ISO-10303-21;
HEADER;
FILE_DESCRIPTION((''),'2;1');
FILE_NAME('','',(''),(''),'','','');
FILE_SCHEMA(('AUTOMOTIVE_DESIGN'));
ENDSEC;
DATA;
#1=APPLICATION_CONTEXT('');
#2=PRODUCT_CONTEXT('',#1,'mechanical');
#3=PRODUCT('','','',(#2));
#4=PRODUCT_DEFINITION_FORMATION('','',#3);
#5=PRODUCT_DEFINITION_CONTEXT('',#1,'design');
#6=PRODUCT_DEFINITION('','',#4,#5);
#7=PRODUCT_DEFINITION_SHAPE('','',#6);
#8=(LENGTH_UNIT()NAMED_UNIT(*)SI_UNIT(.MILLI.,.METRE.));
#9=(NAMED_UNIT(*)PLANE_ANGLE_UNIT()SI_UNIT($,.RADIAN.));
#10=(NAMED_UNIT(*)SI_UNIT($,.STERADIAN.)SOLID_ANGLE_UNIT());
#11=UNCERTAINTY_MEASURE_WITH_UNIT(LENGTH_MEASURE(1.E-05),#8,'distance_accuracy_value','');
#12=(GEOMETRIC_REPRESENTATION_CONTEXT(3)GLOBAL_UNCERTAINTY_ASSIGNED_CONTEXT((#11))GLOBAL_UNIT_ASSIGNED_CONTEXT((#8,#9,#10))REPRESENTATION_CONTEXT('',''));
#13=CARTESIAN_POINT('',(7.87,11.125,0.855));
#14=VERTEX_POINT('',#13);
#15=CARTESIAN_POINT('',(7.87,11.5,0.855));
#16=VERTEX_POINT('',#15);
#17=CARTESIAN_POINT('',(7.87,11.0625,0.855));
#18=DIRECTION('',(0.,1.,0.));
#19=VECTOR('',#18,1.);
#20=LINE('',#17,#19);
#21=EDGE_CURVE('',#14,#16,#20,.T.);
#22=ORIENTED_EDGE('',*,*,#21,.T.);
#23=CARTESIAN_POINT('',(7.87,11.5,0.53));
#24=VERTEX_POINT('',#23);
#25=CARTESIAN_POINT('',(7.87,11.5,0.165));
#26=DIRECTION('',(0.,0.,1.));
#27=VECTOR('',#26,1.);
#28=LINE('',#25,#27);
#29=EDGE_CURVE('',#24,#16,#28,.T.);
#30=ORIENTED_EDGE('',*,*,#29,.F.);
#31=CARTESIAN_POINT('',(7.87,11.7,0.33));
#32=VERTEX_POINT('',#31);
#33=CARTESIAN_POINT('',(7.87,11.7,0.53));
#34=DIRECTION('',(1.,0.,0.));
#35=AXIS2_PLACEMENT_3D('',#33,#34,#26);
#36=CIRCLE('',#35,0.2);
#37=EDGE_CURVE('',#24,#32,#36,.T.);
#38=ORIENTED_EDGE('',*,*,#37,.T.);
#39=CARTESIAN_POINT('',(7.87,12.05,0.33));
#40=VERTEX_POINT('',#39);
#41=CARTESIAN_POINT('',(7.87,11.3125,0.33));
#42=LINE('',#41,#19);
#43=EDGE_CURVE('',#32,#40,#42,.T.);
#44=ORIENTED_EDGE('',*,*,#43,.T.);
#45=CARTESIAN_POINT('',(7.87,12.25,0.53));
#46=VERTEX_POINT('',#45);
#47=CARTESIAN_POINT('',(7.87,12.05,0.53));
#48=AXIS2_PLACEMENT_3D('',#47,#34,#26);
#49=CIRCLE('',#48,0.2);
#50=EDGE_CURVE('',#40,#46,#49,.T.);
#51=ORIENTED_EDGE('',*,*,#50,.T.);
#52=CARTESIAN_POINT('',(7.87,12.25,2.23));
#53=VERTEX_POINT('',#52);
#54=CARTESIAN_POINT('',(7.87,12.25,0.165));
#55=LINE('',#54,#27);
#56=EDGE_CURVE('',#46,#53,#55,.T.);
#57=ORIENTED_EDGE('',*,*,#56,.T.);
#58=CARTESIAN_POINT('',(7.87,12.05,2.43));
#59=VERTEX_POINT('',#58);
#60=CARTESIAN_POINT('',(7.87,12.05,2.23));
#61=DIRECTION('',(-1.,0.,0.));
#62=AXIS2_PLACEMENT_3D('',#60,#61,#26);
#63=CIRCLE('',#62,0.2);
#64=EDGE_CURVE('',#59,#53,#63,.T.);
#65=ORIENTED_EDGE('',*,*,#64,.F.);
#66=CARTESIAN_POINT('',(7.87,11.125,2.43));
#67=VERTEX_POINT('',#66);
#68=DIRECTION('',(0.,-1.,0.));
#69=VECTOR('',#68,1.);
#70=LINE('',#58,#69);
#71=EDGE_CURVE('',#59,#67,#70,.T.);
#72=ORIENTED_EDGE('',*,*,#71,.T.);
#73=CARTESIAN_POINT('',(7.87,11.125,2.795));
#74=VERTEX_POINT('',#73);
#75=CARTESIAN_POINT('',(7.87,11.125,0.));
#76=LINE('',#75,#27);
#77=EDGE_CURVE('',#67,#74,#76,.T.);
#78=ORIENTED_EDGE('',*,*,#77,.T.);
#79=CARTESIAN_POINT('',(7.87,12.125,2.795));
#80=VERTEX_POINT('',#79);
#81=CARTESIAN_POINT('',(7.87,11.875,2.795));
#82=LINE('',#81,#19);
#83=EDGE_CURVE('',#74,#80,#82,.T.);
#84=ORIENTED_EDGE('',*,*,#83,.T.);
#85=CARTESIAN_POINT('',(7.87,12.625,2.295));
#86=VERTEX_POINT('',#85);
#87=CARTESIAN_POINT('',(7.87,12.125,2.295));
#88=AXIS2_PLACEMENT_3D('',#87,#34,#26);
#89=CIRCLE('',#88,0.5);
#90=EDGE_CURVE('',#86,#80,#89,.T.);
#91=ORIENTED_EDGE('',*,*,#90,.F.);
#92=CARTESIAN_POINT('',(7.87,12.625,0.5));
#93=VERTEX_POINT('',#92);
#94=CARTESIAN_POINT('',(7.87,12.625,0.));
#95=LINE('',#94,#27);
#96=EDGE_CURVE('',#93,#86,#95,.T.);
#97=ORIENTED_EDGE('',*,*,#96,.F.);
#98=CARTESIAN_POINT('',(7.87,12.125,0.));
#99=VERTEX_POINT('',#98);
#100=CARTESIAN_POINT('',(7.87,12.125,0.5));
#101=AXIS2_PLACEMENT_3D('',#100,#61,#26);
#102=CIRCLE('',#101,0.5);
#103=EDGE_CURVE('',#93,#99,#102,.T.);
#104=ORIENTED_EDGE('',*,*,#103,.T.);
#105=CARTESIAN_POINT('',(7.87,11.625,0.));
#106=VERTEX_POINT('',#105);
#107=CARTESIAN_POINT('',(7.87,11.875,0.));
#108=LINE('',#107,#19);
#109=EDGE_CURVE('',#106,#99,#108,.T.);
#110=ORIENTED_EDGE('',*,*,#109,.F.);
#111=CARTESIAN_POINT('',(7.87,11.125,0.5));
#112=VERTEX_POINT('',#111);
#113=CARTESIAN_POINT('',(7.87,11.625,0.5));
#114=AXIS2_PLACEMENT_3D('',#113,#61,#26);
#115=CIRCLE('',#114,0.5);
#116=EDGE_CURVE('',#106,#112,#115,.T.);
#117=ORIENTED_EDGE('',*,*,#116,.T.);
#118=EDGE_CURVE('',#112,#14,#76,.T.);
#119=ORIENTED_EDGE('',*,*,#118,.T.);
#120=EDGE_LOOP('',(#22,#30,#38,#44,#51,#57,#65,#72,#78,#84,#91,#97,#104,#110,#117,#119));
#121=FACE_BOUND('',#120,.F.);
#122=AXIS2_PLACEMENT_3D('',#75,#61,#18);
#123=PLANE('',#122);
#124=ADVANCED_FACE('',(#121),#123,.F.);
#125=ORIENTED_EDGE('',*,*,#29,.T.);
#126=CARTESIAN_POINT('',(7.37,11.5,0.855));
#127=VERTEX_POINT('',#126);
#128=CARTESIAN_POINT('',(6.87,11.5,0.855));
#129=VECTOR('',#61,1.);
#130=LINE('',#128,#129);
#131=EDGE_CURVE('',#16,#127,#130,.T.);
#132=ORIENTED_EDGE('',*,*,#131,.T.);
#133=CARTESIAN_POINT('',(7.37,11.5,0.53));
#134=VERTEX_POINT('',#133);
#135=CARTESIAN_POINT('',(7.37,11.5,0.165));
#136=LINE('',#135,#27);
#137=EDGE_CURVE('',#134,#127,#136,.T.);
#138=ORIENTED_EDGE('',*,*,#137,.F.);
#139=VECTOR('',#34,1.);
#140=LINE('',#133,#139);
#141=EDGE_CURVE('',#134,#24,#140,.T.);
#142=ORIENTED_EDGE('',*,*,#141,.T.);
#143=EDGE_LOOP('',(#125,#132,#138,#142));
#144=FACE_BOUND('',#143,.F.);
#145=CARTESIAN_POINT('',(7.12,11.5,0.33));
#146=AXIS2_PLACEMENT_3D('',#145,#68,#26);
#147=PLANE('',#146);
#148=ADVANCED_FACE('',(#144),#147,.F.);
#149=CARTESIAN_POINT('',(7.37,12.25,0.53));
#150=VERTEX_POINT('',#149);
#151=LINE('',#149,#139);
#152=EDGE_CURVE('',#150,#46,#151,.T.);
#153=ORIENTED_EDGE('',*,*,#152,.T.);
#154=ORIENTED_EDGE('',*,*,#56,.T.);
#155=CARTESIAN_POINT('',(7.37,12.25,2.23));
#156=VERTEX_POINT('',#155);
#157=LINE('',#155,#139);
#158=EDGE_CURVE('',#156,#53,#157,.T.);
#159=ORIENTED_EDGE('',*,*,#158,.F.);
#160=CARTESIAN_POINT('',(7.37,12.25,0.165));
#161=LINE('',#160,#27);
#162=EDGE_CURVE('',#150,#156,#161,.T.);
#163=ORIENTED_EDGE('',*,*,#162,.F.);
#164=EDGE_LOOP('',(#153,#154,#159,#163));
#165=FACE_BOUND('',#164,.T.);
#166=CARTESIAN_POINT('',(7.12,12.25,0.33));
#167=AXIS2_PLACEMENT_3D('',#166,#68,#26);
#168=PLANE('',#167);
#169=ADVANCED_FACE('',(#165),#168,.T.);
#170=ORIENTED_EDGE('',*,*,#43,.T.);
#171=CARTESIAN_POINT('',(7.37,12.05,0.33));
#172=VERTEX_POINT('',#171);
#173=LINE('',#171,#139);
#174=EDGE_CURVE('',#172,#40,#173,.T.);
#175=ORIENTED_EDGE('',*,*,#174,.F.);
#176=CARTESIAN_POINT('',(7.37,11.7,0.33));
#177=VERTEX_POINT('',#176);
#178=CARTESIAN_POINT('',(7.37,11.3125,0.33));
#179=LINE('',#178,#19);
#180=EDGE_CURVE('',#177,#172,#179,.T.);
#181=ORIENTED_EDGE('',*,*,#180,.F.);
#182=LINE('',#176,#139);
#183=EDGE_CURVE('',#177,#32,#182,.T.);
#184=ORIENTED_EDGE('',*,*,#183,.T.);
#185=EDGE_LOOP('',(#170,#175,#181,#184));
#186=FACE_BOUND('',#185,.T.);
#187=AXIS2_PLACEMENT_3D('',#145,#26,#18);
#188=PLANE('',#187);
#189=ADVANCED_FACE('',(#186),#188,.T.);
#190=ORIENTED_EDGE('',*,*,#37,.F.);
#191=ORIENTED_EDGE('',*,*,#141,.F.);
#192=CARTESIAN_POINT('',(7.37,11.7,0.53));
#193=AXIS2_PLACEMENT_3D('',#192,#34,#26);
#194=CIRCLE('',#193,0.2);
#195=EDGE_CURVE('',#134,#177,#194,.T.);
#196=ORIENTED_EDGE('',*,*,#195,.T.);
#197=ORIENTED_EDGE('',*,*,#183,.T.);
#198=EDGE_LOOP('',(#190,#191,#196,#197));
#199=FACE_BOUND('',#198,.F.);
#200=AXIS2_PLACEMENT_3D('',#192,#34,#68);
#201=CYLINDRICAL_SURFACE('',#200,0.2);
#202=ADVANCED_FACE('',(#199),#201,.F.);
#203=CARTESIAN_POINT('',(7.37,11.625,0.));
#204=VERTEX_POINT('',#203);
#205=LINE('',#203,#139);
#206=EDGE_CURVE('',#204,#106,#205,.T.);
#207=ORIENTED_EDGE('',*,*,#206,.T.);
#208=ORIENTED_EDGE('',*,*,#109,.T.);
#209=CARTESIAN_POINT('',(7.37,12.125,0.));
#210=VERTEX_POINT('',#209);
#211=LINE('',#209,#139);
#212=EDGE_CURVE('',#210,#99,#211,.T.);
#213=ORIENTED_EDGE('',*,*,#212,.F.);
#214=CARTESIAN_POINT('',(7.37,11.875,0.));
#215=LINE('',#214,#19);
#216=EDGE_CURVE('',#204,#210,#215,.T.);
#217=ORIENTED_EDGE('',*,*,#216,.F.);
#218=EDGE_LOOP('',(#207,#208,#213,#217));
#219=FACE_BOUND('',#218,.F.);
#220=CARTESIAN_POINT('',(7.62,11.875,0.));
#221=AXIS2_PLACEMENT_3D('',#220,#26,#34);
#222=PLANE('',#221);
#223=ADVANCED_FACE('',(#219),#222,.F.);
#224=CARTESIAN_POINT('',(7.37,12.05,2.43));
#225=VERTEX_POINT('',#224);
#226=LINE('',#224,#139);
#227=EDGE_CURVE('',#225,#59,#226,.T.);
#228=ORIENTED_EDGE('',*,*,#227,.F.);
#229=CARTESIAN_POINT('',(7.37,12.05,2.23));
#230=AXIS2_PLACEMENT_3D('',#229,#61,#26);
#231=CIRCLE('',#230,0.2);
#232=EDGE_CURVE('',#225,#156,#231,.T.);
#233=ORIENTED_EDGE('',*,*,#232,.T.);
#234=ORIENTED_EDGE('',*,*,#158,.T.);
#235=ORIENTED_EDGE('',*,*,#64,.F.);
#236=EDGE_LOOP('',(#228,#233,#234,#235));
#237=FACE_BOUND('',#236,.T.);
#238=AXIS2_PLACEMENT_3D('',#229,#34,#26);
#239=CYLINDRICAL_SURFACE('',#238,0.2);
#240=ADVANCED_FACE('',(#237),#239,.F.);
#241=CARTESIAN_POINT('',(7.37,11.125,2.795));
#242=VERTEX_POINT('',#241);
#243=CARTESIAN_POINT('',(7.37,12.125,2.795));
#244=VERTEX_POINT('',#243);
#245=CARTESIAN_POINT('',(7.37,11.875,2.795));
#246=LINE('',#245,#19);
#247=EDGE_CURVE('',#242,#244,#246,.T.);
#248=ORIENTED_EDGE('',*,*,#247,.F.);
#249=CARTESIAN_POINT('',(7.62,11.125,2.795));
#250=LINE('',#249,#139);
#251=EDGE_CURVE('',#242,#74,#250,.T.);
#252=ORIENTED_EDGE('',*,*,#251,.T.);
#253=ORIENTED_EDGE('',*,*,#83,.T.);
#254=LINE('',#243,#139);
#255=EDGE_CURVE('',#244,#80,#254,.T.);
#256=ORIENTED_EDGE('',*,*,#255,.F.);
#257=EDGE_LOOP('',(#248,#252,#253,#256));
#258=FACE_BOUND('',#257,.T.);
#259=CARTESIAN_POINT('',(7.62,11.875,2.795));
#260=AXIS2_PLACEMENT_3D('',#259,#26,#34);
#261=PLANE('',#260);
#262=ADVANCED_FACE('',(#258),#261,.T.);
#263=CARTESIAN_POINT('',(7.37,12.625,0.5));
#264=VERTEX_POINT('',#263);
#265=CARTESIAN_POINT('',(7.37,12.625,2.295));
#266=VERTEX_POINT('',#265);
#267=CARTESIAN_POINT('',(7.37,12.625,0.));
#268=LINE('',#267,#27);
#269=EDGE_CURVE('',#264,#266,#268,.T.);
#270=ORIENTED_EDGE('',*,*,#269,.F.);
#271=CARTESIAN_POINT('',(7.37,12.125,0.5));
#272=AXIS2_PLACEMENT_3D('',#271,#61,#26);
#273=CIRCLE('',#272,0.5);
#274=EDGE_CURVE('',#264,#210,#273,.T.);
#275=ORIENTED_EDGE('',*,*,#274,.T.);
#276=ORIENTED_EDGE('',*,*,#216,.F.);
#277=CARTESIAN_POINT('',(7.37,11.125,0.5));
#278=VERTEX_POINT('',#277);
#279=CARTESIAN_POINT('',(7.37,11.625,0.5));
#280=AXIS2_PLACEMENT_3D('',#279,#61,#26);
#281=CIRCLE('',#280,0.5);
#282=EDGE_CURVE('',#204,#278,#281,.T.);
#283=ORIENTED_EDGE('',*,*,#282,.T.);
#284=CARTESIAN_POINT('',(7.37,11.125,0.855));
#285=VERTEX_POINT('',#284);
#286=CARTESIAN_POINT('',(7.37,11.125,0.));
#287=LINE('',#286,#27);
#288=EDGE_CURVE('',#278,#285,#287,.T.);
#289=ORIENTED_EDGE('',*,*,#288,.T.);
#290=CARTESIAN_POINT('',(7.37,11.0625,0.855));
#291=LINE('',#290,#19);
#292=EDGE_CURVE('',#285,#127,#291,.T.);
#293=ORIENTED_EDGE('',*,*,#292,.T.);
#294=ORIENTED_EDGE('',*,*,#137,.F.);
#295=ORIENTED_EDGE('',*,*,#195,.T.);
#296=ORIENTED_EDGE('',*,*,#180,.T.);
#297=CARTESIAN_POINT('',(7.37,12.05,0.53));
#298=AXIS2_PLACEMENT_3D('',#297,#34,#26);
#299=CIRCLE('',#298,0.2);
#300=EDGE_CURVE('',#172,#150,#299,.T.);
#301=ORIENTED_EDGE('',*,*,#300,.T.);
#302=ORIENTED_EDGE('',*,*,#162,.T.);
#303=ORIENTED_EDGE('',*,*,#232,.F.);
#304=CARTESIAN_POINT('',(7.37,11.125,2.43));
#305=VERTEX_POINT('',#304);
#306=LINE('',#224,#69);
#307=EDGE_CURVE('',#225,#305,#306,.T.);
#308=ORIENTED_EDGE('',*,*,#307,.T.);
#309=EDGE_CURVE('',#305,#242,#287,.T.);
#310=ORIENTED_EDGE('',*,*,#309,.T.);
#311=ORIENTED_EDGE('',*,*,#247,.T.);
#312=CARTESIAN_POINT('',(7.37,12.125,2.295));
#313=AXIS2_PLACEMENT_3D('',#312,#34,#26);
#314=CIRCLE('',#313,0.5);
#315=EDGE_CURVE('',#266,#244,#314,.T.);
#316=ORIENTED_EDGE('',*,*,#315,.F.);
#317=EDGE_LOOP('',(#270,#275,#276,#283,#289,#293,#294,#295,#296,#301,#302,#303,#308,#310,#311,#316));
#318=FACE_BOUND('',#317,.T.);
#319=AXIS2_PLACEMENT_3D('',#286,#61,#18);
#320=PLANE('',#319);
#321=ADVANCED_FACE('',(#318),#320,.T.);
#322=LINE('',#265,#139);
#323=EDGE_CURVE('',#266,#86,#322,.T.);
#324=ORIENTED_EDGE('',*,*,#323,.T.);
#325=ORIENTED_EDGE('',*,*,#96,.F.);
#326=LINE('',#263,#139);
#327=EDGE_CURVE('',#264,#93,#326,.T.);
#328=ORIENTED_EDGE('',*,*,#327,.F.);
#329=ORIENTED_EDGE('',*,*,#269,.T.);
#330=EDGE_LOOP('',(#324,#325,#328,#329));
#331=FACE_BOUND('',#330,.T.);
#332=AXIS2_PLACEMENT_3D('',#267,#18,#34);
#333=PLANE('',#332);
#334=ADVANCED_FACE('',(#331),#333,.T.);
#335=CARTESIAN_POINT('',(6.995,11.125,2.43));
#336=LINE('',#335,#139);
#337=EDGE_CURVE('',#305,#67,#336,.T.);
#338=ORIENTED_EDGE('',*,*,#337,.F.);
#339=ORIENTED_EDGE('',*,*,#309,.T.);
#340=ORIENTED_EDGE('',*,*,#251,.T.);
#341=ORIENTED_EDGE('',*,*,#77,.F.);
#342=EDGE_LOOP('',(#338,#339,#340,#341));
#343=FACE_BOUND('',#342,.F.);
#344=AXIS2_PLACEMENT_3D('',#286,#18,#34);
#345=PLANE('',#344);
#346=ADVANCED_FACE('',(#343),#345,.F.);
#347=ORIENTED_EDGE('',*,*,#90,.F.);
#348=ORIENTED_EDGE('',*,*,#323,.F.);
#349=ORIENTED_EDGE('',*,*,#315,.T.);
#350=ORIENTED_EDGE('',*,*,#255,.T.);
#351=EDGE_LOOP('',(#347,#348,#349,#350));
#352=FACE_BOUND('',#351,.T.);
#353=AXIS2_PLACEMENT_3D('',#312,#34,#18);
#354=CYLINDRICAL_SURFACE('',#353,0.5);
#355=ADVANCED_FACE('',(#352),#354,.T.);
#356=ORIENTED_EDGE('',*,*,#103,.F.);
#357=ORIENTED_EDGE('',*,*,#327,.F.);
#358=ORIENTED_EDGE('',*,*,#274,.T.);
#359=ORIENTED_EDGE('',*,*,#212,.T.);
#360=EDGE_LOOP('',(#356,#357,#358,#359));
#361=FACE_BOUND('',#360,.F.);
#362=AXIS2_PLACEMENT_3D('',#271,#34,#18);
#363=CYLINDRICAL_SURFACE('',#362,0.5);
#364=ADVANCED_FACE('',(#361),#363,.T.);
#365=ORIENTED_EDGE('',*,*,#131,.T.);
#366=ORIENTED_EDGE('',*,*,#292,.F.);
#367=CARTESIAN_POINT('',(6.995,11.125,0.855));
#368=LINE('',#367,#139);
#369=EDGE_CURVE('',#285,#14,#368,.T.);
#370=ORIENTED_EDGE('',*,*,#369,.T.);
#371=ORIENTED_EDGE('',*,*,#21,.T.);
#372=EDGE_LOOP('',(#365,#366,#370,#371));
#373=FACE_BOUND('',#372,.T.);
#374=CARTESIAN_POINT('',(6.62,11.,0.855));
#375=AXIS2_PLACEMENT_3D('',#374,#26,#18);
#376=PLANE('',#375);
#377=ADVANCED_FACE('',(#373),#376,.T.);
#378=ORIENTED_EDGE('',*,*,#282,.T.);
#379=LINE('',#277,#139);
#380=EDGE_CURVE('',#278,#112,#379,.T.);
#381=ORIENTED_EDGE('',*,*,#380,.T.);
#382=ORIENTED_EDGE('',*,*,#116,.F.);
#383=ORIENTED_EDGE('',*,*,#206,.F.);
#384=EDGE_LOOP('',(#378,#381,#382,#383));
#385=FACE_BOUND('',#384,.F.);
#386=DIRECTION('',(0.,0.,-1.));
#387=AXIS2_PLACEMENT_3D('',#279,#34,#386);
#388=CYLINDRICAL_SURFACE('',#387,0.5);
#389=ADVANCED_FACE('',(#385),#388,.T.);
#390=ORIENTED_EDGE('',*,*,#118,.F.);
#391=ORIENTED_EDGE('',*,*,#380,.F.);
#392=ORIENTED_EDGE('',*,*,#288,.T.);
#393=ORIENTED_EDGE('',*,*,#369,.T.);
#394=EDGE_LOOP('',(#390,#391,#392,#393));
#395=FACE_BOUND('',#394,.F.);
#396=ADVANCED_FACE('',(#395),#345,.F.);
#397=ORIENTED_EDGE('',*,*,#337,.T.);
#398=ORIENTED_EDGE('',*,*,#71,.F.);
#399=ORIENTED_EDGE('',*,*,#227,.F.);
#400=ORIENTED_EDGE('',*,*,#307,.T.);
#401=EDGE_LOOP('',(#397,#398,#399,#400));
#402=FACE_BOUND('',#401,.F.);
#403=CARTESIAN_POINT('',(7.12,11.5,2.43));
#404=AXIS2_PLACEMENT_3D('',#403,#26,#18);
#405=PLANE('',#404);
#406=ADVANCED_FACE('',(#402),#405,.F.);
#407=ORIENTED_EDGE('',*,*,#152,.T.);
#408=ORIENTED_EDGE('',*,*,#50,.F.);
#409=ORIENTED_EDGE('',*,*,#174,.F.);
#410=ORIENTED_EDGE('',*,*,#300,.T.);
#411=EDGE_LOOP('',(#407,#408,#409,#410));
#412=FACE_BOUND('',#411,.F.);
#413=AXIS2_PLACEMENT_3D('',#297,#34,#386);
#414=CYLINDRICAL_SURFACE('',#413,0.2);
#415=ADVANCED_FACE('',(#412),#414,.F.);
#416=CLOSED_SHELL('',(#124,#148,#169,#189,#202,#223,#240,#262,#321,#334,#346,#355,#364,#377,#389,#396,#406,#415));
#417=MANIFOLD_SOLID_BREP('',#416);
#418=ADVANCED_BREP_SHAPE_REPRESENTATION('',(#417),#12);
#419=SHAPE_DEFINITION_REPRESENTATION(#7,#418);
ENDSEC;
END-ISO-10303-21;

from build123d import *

# Parameters (mm, degrees)
BOX068_W     = 0.5
BOX068_H     = 1.5
BOX068_DEPTH = 2.795
FILLET124_R  = 0.5
FILLET135_R  = 0.5
FILLET146_R  = 0.5
BOX065_W     = 0.75
BOX065_H     = 2.1
BOX065_DEPTH = 1
FILLET149_R  = 0.2
FILLET136_R  = 0.2
FILLET131_R  = 0.2
FILLET148_R  = 0.2
BOX075_W     = 1
BOX075_H     = 1.575
BOX075_DEPTH = 3


with BuildPart() as part:
    # Box068 → Box068 (join)
    with BuildSketch(Plane(origin=(-0.25, 11.125, 0), x_dir=(1, 0, 0), z_dir=(0, 0, 1))):
        with Locations((0.25, 0.75)):
            Rectangle(BOX068_W, BOX068_H)
    extrude(amount=BOX068_DEPTH)

    # Fillet124
    fillet124_edges = [part.edges().sort_by_distance(p)[0] for p in [
        (0, 12.625, 0),
    ]]
    fillet(fillet124_edges, radius=FILLET124_R)

    # Fillet135
    fillet135_edges = [part.edges().sort_by_distance(p)[0] for p in [
        (0, 12.625, 2.795),
    ]]
    fillet(fillet135_edges, radius=FILLET135_R)

    # Fillet146
    fillet146_edges = [part.edges().sort_by_distance(p)[0] for p in [
        (0, 11.125, 0),
    ]]
    fillet(fillet146_edges, radius=FILLET146_R)

    # Box065 → Box065 (cut)
    with BuildSketch(Plane(origin=(-0.5, 11.5, 0.33), x_dir=(0, 1, 0), z_dir=(1, 0, 0))):
        with Locations((0.375, 1.05)):
            Rectangle(BOX065_W, BOX065_H)
    extrude(amount=BOX065_DEPTH, mode=Mode.SUBTRACT)

    # Fillet149
    fillet149_edges = [part.edges().sort_by_distance(p)[0] for p in [
        (0, 11.5, 0.33),
    ]]
    fillet(fillet149_edges, radius=FILLET149_R)

    # Fillet136
    fillet136_edges = [part.edges().sort_by_distance(p)[0] for p in [
        (0, 12.25, 0.33),
    ]]
    fillet(fillet136_edges, radius=FILLET136_R)

    # Fillet131
    fillet131_edges = [part.edges().sort_by_distance(p)[0] for p in [
        (0, 11.5, 2.43),
    ]]
    fillet(fillet131_edges, radius=FILLET131_R)

    # Fillet148
    fillet148_edges = [part.edges().sort_by_distance(p)[0] for p in [
        (0, 12.25, 2.43),
    ]]
    fillet(fillet148_edges, radius=FILLET148_R)

    # Box075 → Box075 (cut)
    with BuildSketch(Plane(origin=(-1, 11, 0.855), x_dir=(0, 1, 0), z_dir=(1, 0, 0))):
        with Locations((0.5, 0.7875)):
            Rectangle(BOX075_W, BOX075_H)
    extrude(amount=BOX075_DEPTH, mode=Mode.SUBTRACT)


with BuildPart() as part_1:
    # Body021 placement: moved
    add(part.part.moved(Location((7.62, 0, 0))))


solid = part_1.part
